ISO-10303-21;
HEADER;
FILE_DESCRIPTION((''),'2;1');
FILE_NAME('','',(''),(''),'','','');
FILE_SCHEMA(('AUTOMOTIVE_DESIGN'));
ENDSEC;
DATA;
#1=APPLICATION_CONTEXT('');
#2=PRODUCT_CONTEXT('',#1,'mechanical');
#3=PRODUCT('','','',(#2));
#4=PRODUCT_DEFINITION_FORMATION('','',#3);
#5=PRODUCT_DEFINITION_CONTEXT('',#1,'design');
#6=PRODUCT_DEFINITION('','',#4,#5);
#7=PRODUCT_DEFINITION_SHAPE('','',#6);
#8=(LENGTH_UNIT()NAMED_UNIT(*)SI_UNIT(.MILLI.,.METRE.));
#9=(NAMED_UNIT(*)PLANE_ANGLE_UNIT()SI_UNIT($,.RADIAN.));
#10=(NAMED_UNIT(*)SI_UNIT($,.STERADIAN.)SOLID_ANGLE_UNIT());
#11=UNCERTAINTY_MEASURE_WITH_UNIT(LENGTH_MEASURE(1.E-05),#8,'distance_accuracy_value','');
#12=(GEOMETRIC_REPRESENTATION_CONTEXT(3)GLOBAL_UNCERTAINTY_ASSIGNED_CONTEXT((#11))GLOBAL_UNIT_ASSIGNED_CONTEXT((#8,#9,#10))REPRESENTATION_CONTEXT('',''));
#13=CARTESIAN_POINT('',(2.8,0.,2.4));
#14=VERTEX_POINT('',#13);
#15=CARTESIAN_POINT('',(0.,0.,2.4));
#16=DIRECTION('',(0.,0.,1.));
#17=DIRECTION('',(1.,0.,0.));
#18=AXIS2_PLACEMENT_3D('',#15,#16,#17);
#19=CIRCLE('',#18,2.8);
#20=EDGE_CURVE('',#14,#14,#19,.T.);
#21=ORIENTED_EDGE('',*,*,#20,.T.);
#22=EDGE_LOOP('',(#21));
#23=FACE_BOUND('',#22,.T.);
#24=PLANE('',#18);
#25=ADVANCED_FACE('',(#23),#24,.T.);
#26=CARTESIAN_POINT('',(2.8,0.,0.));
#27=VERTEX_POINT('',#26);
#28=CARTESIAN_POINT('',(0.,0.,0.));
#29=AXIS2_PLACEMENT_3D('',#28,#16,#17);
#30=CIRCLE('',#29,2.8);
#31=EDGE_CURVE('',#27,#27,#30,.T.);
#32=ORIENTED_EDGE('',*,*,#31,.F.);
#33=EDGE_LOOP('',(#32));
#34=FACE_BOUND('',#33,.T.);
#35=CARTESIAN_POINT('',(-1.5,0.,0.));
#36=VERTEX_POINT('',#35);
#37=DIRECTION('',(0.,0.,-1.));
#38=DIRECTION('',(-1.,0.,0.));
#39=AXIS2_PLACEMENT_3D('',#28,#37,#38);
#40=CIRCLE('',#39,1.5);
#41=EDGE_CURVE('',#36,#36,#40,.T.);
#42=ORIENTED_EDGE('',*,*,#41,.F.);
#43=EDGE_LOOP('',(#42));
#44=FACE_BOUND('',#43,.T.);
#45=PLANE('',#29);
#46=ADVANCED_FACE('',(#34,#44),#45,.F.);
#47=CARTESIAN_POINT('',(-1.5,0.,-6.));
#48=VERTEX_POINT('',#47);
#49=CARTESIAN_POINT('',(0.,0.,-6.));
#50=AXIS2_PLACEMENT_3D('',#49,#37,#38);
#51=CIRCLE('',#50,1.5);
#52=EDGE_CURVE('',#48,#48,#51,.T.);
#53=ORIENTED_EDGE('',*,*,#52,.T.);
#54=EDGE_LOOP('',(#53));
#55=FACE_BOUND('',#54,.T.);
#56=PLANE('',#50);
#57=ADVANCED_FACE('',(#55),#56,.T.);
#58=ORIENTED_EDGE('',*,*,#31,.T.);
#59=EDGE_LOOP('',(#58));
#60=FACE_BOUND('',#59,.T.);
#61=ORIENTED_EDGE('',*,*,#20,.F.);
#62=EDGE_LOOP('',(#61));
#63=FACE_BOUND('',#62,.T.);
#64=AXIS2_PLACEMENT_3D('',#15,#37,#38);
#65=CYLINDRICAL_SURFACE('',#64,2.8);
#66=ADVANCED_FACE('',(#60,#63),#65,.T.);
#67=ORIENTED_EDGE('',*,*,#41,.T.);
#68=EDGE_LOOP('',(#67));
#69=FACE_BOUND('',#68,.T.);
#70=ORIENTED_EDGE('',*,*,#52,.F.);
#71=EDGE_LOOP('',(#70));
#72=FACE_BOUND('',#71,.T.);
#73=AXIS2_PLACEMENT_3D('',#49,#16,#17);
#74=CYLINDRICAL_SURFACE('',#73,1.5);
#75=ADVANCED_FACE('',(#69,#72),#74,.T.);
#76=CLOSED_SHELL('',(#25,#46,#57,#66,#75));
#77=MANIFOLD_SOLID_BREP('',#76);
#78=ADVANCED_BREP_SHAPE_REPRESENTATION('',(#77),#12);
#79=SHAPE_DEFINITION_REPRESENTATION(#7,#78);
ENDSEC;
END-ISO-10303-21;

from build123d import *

# Parameters (mm, degrees)
ESQUISSE1_R        = 2.8
BOSS_EXTRU_1_DEPTH = 2.4
ESQUISSE2_R        = 1.5
BOSS_EXTRU_2_DEPTH = 6


with BuildPart() as part:
    # Esquisse1 → Boss.-Extru.1 (new body)
    with BuildSketch(Plane.XY):
        Circle(ESQUISSE1_R)
    extrude(amount=BOSS_EXTRU_1_DEPTH)

    # Esquisse2 → Boss.-Extru.2 (add)
    with BuildSketch(Plane(origin=(0, 0, 0), x_dir=(-1, 0, 0), z_dir=(0, 0, -1))):
        Circle(ESQUISSE2_R)
    extrude(amount=BOSS_EXTRU_2_DEPTH)


solid = part.part
